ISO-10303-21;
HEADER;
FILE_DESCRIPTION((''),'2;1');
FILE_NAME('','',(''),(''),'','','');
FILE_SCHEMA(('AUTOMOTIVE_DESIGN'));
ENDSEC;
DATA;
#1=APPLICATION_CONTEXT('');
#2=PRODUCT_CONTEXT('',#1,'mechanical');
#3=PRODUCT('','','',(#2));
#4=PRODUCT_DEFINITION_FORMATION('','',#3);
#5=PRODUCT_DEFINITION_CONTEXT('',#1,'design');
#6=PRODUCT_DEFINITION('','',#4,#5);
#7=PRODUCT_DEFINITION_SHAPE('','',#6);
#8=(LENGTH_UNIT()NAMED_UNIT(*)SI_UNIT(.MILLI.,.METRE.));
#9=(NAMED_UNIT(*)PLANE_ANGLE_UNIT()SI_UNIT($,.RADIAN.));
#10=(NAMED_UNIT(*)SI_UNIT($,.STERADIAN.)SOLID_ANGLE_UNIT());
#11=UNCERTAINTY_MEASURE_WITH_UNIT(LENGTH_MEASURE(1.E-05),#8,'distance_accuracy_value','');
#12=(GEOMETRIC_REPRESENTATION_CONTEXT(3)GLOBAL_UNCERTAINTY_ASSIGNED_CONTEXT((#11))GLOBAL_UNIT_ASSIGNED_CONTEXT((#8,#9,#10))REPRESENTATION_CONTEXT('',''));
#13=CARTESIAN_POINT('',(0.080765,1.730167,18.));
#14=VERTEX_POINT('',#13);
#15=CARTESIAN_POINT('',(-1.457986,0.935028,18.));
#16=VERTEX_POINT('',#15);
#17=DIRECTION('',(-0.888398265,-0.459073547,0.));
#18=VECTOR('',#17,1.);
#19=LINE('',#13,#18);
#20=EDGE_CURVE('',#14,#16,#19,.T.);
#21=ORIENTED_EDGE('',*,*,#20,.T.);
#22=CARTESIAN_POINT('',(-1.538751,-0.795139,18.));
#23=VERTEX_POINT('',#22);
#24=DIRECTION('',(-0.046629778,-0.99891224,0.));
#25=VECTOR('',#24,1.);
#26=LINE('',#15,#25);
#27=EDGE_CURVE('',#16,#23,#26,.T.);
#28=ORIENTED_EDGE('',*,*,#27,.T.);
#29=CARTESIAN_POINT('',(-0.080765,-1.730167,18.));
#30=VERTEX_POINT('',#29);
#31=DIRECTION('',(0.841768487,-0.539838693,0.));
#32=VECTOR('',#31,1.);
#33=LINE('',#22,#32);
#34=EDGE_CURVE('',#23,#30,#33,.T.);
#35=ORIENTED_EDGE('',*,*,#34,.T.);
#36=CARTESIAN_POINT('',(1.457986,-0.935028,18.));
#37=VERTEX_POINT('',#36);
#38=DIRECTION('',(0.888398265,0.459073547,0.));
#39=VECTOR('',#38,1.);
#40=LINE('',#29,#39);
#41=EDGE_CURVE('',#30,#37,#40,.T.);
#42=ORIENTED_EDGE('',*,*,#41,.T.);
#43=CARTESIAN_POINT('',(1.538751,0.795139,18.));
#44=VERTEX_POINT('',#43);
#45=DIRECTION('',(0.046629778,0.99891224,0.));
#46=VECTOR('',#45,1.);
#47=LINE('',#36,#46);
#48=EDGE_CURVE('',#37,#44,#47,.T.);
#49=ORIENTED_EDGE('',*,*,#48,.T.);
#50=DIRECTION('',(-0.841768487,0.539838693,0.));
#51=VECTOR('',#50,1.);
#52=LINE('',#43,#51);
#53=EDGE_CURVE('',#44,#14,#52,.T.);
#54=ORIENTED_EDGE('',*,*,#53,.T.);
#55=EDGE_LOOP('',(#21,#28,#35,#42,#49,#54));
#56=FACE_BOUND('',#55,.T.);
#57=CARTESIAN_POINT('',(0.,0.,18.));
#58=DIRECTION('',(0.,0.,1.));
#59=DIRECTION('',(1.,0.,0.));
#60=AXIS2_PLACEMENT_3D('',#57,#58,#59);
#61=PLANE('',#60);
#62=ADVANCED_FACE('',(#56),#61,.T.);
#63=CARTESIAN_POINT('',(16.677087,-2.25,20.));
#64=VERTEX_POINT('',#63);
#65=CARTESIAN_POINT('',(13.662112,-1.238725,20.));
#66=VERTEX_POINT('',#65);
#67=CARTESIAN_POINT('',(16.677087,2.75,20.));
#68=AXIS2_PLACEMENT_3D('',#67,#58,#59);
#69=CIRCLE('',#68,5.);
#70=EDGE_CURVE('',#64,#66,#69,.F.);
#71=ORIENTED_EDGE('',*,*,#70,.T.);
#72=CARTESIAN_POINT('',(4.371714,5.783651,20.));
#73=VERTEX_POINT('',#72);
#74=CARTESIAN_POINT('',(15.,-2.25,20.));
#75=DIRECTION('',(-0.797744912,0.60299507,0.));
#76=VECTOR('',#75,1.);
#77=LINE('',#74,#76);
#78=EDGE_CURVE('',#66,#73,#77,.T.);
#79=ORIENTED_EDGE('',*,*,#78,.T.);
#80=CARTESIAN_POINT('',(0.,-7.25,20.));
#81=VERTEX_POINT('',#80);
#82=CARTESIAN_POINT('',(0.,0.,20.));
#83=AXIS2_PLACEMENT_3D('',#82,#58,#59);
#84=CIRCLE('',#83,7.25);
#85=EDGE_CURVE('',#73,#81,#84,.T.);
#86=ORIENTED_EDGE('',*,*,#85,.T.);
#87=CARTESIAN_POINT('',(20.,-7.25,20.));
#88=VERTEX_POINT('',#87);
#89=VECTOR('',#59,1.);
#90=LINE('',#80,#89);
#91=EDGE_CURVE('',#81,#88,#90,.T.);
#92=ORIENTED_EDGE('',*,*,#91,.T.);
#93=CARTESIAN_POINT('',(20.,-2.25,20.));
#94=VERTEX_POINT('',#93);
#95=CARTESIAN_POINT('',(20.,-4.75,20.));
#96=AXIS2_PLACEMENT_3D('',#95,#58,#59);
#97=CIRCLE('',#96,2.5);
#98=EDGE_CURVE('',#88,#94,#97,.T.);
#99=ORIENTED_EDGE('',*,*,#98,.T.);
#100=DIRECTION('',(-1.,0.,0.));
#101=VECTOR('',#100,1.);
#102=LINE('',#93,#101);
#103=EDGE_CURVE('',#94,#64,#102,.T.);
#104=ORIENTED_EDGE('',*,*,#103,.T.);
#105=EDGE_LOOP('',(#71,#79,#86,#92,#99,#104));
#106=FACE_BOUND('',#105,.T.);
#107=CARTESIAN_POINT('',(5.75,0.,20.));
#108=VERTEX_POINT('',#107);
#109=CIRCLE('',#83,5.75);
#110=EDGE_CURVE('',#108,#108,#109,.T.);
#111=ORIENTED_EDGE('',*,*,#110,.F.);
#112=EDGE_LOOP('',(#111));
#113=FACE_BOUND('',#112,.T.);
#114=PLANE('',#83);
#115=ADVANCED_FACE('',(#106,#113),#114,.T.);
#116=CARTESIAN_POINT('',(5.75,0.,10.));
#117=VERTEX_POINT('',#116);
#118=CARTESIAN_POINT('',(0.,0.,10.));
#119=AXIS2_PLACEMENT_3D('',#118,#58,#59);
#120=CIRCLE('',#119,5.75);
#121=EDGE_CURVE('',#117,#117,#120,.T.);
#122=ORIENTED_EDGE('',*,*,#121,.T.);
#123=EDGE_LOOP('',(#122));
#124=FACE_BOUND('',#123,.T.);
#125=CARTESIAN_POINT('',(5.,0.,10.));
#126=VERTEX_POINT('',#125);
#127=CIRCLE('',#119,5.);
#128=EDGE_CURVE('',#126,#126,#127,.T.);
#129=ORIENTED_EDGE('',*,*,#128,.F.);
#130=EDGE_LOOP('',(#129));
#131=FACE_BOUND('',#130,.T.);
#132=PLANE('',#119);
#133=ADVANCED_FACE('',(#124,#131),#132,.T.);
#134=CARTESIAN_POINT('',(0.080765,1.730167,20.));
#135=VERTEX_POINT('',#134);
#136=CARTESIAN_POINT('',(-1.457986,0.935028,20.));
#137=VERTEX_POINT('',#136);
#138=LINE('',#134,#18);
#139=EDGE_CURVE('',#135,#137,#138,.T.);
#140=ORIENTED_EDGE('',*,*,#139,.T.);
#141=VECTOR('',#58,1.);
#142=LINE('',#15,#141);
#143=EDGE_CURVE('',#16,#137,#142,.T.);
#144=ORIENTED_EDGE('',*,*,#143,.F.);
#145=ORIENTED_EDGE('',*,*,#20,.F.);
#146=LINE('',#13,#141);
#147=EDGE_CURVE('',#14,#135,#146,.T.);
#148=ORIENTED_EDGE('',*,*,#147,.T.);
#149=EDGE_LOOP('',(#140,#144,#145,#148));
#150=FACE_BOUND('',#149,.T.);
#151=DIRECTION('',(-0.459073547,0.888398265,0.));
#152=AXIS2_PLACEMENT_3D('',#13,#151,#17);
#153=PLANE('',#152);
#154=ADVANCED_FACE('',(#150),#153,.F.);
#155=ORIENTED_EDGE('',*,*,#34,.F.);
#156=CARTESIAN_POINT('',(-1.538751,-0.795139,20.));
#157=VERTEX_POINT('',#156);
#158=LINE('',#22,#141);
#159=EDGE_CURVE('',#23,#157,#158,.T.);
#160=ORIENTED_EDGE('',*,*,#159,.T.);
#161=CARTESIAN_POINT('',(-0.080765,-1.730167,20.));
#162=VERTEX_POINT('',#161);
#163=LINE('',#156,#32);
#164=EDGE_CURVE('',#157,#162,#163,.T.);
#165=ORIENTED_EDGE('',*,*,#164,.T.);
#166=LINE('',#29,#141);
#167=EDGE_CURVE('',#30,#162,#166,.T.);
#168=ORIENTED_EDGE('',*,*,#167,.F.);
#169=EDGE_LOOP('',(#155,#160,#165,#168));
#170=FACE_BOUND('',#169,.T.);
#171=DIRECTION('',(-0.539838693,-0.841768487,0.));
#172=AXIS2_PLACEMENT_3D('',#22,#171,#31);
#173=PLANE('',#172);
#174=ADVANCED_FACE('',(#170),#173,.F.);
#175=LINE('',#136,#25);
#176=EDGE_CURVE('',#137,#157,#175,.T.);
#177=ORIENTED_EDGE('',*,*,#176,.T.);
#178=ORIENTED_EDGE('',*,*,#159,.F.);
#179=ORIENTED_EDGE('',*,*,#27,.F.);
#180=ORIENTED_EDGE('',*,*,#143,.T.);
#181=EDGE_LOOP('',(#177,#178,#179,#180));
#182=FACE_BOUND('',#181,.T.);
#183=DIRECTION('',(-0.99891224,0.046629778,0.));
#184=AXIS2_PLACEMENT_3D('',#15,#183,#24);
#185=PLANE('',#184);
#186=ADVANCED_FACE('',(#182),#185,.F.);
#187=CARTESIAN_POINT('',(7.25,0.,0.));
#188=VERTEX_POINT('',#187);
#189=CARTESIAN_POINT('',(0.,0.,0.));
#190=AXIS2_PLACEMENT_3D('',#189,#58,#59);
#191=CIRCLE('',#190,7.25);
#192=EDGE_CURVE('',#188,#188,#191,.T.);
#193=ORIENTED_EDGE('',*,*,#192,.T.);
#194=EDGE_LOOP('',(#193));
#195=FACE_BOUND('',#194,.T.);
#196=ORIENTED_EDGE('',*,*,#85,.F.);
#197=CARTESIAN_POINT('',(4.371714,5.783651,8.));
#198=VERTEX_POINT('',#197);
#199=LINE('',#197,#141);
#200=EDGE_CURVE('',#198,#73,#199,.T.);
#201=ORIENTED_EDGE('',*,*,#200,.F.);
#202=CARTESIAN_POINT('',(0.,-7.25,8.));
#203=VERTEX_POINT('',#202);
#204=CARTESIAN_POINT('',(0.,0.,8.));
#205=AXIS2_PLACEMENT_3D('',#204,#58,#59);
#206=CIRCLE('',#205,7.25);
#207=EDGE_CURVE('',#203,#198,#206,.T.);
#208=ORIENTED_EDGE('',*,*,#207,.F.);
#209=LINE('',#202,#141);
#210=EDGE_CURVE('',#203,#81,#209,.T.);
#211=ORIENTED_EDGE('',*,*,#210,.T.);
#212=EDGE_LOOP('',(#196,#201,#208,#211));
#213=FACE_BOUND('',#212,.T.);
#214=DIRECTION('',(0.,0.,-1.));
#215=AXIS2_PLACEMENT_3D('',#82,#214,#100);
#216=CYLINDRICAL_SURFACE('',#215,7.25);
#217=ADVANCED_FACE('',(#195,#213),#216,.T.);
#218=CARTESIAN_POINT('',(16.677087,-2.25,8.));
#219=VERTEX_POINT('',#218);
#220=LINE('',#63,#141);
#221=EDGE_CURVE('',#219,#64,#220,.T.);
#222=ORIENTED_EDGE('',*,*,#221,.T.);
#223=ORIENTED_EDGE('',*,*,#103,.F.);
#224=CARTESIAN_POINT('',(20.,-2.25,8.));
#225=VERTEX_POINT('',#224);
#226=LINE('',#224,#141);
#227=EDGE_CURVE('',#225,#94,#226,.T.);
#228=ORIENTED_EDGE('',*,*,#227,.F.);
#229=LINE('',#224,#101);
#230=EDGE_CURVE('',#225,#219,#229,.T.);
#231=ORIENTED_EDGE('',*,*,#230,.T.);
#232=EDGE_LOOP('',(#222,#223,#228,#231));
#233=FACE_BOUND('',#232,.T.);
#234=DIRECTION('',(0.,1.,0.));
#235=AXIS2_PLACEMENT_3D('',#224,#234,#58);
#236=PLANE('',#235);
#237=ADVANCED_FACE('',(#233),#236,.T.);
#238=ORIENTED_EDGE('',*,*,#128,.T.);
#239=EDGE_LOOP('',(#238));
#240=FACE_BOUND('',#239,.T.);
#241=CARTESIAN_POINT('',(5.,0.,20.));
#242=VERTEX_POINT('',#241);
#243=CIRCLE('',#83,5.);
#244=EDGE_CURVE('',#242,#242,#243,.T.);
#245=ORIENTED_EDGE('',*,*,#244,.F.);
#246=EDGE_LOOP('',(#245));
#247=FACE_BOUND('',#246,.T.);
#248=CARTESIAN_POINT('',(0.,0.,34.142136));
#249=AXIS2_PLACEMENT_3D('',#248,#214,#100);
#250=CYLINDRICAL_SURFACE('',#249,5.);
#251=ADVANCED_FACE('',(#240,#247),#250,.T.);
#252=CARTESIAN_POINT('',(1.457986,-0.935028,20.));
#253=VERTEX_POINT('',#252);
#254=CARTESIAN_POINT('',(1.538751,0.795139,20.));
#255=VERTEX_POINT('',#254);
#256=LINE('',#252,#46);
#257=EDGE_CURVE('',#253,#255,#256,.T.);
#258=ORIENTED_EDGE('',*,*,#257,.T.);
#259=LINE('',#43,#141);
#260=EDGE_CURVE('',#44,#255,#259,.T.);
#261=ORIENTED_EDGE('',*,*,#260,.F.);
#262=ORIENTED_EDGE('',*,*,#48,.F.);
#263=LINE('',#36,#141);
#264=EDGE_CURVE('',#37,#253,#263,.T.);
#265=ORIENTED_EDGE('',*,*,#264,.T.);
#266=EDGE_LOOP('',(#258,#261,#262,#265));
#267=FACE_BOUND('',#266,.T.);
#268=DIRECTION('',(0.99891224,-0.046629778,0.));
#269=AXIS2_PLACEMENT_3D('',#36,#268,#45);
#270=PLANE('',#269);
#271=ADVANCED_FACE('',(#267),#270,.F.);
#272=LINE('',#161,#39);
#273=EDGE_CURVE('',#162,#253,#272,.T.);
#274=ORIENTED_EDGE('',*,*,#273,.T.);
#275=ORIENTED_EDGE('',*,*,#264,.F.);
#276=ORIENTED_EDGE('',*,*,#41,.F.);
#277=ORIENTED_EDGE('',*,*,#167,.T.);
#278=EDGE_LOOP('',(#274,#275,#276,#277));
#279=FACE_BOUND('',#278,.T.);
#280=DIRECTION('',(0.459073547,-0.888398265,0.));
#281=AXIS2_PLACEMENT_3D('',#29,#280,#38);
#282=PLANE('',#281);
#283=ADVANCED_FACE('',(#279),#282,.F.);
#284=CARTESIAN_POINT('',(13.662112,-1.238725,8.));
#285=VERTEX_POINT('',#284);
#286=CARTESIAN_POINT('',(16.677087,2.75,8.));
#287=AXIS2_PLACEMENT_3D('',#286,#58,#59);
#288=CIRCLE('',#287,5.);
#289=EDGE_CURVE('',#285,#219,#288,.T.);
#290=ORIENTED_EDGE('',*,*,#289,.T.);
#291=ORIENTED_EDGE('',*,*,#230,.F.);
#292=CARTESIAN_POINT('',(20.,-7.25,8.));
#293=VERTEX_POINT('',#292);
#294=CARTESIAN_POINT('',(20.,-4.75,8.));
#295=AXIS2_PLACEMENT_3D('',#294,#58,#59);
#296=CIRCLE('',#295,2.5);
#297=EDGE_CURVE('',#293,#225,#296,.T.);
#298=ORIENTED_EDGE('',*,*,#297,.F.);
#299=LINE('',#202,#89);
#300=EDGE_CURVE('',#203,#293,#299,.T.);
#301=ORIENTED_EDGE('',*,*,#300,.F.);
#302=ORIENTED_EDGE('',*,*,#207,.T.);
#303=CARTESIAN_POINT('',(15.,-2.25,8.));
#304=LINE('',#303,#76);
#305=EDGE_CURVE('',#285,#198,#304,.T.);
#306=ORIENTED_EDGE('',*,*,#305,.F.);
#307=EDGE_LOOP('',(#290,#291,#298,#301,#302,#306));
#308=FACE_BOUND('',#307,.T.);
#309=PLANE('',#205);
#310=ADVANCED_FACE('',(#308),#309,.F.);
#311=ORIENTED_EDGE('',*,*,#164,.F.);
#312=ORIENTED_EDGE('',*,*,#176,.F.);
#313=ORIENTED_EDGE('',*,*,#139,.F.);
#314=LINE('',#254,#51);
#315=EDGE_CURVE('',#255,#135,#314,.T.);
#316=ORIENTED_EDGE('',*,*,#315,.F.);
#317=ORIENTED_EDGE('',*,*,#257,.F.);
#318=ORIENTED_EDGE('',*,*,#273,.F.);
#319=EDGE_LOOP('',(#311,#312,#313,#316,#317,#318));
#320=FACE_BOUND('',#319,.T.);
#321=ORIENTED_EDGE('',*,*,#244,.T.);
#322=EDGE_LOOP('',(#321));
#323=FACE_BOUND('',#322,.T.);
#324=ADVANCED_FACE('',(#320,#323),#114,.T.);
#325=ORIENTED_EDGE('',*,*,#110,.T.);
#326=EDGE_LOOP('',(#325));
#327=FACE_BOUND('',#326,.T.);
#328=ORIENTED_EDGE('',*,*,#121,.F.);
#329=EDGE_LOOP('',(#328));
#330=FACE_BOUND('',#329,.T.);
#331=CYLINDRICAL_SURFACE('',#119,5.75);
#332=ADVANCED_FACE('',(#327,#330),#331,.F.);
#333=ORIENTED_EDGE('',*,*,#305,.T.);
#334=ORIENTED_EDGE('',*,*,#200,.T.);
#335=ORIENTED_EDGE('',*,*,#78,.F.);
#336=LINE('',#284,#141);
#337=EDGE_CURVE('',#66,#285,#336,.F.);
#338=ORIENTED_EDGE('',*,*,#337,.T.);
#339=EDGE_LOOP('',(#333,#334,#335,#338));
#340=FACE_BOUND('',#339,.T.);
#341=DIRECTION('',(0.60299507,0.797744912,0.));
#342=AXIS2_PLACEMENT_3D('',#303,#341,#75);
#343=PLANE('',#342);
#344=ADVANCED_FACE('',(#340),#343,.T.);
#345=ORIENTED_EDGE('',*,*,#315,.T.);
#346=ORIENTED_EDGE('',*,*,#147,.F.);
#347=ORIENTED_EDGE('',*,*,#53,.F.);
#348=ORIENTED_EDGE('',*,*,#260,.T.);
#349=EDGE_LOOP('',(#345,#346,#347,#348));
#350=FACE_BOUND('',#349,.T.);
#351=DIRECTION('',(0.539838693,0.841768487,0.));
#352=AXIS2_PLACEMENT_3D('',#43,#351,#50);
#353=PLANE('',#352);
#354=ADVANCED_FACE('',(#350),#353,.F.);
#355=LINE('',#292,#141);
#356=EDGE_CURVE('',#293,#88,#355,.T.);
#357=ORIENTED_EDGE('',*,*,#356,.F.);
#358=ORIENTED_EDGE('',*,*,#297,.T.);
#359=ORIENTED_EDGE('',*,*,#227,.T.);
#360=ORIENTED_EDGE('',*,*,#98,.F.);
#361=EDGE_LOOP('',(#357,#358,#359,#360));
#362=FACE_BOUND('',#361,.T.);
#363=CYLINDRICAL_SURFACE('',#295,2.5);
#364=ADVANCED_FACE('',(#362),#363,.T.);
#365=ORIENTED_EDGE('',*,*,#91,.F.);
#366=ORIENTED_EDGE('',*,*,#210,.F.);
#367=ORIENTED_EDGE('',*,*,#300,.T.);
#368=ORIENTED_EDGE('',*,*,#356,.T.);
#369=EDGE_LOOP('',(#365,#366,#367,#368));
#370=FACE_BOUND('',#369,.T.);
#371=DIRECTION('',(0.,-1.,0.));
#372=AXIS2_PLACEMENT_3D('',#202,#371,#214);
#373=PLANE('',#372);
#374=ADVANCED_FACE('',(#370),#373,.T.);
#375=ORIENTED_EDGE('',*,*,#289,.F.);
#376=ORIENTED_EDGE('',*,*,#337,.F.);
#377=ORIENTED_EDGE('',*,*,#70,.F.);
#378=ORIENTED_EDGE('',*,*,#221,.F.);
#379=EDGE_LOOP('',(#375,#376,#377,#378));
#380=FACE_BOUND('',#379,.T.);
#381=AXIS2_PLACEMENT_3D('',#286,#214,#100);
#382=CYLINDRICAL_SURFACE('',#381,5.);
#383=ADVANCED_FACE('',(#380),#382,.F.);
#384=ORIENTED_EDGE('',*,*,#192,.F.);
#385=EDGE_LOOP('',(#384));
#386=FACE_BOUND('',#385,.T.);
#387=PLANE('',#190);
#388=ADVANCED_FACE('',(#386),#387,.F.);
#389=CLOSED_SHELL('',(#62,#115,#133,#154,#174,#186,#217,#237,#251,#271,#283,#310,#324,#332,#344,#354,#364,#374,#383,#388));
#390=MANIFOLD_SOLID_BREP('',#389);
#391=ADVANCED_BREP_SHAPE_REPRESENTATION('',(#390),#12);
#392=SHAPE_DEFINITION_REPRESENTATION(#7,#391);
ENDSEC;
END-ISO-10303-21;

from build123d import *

# Parameters (mm, degrees)
SKETCH_1_R          = 7.25
EXTRUDE_1_DEPTH     = 20
EXTRUDE_2_DEPTH     = 12
FILLET_1_R          = 5
SKETCH_3_R          = 5.75
CUT_EXTRUDE_1_DEPTH = 10
SKETCH_4_R          = 5
EXTRUDE_3_DEPTH     = 10
CUT_EXTRUDE_2_DEPTH = 2


with BuildPart() as part:
    # Эскиз1 → Бобышка-Вытянуть1 (new body)
    with BuildSketch(Plane.XY):
        Circle(SKETCH_1_R)
    extrude(amount=EXTRUDE_1_DEPTH)

    # Эскиз2 → Бобышка-Вытянуть2 (add)
    with BuildSketch(Plane.XY.offset(20)):
        with BuildLine():
            Line((0, -7.25), (20, -7.25))
            ThreePointArc((20, -7.25), (22.5, -4.75), (20, -2.25))
            Line((20, -2.25), (15, -2.25))
            Line((15, -2.25), (4.371714259, 5.783650615))
            ThreePointArc((4.371714259, 5.783650615), (-6.873644119, 2.305540397), (0, -7.25))
        make_face()
    extrude(amount=-EXTRUDE_2_DEPTH)

    # Скругление1
    fillet_1_edges = [part.edges().sort_by_distance(p)[0] for p in [
        (15, -2.25, 14),
    ]]
    fillet(fillet_1_edges, radius=FILLET_1_R)

    # Эскиз3 → Вырез-Вытянуть1 (cut)
    with BuildSketch(Plane.XY.offset(20)):
        Circle(SKETCH_3_R)
    extrude(amount=-CUT_EXTRUDE_1_DEPTH, mode=Mode.SUBTRACT)

    # Эскиз4 → Бобышка-Вытянуть3 (add)
    with BuildSketch(Plane.XY.offset(10)):
        Circle(SKETCH_4_R)
    extrude(amount=EXTRUDE_3_DEPTH)

    # Эскиз5 → Вырез-Вытянуть2 (cut)
    with BuildSketch(Plane.XY.offset(20)):
        Polygon((1.457985788, -0.935028044), (1.538750933, 0.795138708), (0.080765145, 1.730166752), (-1.457985788, 0.935028044), (-1.538750933, -0.795138708), (-0.080765145, -1.730166752), align=None)
    extrude(amount=-CUT_EXTRUDE_2_DEPTH, mode=Mode.SUBTRACT)


solid = part.part
